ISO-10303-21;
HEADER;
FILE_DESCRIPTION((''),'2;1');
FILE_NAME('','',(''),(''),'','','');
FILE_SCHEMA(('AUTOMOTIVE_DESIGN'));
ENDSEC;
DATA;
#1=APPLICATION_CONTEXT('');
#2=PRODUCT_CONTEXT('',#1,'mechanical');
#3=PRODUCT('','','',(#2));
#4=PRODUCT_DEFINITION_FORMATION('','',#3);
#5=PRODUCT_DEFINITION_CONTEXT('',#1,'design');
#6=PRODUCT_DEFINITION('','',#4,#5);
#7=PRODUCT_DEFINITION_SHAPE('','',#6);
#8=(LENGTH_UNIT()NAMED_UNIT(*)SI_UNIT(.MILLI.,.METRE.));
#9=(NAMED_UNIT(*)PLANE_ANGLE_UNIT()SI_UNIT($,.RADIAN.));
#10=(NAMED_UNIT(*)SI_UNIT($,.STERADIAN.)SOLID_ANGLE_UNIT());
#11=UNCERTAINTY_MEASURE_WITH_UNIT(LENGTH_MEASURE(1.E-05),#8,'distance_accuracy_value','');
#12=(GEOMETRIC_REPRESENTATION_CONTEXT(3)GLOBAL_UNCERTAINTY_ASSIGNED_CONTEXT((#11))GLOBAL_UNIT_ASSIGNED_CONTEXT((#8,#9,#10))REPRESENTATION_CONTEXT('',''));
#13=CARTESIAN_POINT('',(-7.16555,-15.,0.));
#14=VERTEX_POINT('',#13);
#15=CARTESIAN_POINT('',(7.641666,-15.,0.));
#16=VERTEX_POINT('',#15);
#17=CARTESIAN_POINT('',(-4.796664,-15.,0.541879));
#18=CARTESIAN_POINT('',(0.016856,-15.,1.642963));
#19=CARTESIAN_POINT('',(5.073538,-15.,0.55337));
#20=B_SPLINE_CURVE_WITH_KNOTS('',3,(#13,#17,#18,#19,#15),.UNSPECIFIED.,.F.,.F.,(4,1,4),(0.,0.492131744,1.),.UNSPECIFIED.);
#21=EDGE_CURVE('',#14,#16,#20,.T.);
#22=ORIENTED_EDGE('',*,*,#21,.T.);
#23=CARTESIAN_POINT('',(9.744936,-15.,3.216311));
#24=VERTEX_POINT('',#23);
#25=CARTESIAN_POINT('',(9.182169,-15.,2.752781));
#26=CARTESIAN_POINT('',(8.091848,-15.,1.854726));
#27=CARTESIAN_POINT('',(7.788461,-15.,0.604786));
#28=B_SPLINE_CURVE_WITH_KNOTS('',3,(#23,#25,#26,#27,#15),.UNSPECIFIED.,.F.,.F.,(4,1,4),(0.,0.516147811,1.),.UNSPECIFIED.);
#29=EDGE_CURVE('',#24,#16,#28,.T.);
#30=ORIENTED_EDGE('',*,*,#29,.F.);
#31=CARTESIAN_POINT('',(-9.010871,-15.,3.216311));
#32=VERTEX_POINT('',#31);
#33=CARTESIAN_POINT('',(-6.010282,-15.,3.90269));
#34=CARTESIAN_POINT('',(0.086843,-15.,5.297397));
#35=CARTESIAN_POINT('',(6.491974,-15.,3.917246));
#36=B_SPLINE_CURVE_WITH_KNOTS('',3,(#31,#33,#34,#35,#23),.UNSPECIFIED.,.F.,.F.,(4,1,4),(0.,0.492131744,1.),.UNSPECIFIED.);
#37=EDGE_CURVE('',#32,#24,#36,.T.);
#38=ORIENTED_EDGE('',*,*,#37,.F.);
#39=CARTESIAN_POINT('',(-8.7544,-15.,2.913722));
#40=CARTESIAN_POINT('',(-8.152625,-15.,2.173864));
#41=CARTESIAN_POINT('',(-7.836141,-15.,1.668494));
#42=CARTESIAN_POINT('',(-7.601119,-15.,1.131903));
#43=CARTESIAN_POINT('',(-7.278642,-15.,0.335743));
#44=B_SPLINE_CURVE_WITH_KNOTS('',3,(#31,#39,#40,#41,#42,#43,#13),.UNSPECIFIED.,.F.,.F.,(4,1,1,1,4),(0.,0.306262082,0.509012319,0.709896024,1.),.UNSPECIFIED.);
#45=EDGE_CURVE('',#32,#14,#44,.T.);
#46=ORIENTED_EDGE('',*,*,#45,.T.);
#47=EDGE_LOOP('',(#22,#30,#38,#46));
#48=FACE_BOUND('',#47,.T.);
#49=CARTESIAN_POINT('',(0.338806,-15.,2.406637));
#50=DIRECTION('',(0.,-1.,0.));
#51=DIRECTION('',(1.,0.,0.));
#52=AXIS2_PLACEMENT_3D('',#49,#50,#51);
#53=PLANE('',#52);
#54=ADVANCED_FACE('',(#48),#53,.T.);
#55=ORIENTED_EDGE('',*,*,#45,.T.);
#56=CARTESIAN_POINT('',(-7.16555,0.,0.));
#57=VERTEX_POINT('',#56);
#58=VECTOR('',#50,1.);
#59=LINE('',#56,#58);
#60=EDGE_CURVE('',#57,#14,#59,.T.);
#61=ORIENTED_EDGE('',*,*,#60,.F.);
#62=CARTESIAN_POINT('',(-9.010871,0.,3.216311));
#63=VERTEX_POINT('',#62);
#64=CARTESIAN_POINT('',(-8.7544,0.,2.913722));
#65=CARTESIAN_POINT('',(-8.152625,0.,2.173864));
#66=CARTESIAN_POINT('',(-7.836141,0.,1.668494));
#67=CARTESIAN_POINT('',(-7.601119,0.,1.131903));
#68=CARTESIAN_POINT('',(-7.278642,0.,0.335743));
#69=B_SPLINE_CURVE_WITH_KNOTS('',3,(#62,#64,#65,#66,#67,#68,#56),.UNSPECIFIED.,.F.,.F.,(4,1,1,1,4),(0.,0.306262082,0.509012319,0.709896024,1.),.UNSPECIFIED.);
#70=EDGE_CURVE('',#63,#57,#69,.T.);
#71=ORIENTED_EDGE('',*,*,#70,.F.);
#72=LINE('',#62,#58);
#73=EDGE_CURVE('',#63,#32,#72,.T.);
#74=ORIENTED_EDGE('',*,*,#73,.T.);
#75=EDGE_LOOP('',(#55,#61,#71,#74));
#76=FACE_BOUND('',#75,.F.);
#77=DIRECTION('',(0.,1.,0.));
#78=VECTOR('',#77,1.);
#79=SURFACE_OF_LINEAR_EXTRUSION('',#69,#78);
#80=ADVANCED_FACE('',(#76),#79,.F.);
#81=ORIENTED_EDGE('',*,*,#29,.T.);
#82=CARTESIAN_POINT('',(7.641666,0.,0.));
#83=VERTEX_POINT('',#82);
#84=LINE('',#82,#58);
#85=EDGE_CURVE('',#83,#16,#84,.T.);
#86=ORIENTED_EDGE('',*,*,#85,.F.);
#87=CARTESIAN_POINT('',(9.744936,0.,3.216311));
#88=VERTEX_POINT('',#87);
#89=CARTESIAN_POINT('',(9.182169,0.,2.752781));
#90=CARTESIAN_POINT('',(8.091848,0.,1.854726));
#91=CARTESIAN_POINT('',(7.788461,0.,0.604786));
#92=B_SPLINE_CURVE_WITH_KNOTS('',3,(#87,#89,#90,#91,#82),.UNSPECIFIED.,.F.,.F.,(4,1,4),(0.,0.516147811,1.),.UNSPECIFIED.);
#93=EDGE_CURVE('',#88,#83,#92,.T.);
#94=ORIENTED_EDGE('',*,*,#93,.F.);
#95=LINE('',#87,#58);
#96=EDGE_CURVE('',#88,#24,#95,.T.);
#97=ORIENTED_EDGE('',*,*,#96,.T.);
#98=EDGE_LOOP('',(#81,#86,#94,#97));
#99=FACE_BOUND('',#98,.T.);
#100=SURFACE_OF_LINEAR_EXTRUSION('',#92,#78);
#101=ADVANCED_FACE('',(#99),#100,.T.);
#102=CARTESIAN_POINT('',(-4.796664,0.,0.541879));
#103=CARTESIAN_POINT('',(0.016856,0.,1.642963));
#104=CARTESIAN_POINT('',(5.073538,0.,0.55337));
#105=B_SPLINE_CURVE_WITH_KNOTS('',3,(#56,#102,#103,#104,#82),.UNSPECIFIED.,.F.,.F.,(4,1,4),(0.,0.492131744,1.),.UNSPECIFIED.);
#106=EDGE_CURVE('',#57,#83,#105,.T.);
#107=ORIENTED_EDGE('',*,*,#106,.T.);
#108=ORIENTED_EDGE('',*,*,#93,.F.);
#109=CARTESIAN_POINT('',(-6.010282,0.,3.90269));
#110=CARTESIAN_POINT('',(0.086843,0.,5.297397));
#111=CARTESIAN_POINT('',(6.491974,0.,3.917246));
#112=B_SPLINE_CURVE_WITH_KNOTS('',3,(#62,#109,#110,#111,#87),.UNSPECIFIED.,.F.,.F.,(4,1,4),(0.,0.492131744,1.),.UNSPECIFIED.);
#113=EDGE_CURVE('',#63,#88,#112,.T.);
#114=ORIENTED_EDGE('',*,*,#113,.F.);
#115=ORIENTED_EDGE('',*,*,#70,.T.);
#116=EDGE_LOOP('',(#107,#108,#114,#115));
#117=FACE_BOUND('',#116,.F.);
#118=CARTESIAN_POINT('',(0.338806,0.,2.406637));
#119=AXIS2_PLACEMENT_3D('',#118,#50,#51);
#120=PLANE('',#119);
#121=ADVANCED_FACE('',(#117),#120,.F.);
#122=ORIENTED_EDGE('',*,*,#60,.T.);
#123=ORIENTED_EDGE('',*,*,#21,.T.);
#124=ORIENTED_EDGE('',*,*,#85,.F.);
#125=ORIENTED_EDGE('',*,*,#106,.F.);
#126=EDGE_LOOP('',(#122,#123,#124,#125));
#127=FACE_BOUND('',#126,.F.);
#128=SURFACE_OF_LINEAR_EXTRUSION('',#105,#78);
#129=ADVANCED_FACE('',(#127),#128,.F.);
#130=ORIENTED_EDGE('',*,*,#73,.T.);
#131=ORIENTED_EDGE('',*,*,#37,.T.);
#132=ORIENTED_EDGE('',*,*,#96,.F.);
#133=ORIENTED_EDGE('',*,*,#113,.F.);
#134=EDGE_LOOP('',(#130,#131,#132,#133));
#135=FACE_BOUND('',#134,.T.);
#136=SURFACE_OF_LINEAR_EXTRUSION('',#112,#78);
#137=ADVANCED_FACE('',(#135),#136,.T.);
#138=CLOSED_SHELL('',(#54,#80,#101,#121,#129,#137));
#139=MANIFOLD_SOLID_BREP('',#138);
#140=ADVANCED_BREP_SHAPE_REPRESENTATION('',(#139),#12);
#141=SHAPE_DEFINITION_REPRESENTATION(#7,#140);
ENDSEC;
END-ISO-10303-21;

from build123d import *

# Parameters (mm, degrees)
F1_DEPTH = 15


with BuildPart() as f1:
    # F0 (on Front) → F1 (new body)
    with BuildSketch(Plane.XZ):
        with BuildLine():
            add(Edge.make_bspline(
                [(-9.010870941, 3.2163106371), (-8.7544002931, 2.9137218206), (-8.1526254508, 2.1738642917), (-7.8361406943, 1.6684940813), (-7.6011187237, 1.1319025455), (-7.2786424572, 0.3357431282), (-7.1655502125, 0)],
                knots=[0, 0, 0, 0, 0.3062620821, 0.5090123186, 0.7098960237, 1, 1, 1, 1], degree=3))
            add(Edge.make_bspline(
                [(-7.1655502125, 0), (-4.7966643027, 0.5418785795), (0.0168557143, 1.6429630424), (5.0735377721, 0.5533697886), (7.641665977, 0)],
                knots=[0, 0, 0, 0, 0.4921317438, 1, 1, 1, 1], degree=3))
            add(Edge.make_bspline(
                [(9.7449362325, 3.2163106371), (9.1821692913, 2.7527813922), (8.0918480122, 1.8547261544), (7.7884606274, 0.6047861889), (7.641665977, 0)],
                knots=[0, 0, 0, 0, 0.5161478107, 1, 1, 1, 1], degree=3))
            add(Edge.make_bspline(
                [(-9.010870941, 3.2163106371), (-6.0102821219, 3.9026901711), (0.086843233, 5.2973971574), (6.4919738395, 3.9172457026), (9.7449362325, 3.2163106371)],
                knots=[0, 0, 0, 0, 0.4921317438, 1, 1, 1, 1], degree=3))
        make_face()
    extrude(amount=F1_DEPTH)


solid = f1.part
